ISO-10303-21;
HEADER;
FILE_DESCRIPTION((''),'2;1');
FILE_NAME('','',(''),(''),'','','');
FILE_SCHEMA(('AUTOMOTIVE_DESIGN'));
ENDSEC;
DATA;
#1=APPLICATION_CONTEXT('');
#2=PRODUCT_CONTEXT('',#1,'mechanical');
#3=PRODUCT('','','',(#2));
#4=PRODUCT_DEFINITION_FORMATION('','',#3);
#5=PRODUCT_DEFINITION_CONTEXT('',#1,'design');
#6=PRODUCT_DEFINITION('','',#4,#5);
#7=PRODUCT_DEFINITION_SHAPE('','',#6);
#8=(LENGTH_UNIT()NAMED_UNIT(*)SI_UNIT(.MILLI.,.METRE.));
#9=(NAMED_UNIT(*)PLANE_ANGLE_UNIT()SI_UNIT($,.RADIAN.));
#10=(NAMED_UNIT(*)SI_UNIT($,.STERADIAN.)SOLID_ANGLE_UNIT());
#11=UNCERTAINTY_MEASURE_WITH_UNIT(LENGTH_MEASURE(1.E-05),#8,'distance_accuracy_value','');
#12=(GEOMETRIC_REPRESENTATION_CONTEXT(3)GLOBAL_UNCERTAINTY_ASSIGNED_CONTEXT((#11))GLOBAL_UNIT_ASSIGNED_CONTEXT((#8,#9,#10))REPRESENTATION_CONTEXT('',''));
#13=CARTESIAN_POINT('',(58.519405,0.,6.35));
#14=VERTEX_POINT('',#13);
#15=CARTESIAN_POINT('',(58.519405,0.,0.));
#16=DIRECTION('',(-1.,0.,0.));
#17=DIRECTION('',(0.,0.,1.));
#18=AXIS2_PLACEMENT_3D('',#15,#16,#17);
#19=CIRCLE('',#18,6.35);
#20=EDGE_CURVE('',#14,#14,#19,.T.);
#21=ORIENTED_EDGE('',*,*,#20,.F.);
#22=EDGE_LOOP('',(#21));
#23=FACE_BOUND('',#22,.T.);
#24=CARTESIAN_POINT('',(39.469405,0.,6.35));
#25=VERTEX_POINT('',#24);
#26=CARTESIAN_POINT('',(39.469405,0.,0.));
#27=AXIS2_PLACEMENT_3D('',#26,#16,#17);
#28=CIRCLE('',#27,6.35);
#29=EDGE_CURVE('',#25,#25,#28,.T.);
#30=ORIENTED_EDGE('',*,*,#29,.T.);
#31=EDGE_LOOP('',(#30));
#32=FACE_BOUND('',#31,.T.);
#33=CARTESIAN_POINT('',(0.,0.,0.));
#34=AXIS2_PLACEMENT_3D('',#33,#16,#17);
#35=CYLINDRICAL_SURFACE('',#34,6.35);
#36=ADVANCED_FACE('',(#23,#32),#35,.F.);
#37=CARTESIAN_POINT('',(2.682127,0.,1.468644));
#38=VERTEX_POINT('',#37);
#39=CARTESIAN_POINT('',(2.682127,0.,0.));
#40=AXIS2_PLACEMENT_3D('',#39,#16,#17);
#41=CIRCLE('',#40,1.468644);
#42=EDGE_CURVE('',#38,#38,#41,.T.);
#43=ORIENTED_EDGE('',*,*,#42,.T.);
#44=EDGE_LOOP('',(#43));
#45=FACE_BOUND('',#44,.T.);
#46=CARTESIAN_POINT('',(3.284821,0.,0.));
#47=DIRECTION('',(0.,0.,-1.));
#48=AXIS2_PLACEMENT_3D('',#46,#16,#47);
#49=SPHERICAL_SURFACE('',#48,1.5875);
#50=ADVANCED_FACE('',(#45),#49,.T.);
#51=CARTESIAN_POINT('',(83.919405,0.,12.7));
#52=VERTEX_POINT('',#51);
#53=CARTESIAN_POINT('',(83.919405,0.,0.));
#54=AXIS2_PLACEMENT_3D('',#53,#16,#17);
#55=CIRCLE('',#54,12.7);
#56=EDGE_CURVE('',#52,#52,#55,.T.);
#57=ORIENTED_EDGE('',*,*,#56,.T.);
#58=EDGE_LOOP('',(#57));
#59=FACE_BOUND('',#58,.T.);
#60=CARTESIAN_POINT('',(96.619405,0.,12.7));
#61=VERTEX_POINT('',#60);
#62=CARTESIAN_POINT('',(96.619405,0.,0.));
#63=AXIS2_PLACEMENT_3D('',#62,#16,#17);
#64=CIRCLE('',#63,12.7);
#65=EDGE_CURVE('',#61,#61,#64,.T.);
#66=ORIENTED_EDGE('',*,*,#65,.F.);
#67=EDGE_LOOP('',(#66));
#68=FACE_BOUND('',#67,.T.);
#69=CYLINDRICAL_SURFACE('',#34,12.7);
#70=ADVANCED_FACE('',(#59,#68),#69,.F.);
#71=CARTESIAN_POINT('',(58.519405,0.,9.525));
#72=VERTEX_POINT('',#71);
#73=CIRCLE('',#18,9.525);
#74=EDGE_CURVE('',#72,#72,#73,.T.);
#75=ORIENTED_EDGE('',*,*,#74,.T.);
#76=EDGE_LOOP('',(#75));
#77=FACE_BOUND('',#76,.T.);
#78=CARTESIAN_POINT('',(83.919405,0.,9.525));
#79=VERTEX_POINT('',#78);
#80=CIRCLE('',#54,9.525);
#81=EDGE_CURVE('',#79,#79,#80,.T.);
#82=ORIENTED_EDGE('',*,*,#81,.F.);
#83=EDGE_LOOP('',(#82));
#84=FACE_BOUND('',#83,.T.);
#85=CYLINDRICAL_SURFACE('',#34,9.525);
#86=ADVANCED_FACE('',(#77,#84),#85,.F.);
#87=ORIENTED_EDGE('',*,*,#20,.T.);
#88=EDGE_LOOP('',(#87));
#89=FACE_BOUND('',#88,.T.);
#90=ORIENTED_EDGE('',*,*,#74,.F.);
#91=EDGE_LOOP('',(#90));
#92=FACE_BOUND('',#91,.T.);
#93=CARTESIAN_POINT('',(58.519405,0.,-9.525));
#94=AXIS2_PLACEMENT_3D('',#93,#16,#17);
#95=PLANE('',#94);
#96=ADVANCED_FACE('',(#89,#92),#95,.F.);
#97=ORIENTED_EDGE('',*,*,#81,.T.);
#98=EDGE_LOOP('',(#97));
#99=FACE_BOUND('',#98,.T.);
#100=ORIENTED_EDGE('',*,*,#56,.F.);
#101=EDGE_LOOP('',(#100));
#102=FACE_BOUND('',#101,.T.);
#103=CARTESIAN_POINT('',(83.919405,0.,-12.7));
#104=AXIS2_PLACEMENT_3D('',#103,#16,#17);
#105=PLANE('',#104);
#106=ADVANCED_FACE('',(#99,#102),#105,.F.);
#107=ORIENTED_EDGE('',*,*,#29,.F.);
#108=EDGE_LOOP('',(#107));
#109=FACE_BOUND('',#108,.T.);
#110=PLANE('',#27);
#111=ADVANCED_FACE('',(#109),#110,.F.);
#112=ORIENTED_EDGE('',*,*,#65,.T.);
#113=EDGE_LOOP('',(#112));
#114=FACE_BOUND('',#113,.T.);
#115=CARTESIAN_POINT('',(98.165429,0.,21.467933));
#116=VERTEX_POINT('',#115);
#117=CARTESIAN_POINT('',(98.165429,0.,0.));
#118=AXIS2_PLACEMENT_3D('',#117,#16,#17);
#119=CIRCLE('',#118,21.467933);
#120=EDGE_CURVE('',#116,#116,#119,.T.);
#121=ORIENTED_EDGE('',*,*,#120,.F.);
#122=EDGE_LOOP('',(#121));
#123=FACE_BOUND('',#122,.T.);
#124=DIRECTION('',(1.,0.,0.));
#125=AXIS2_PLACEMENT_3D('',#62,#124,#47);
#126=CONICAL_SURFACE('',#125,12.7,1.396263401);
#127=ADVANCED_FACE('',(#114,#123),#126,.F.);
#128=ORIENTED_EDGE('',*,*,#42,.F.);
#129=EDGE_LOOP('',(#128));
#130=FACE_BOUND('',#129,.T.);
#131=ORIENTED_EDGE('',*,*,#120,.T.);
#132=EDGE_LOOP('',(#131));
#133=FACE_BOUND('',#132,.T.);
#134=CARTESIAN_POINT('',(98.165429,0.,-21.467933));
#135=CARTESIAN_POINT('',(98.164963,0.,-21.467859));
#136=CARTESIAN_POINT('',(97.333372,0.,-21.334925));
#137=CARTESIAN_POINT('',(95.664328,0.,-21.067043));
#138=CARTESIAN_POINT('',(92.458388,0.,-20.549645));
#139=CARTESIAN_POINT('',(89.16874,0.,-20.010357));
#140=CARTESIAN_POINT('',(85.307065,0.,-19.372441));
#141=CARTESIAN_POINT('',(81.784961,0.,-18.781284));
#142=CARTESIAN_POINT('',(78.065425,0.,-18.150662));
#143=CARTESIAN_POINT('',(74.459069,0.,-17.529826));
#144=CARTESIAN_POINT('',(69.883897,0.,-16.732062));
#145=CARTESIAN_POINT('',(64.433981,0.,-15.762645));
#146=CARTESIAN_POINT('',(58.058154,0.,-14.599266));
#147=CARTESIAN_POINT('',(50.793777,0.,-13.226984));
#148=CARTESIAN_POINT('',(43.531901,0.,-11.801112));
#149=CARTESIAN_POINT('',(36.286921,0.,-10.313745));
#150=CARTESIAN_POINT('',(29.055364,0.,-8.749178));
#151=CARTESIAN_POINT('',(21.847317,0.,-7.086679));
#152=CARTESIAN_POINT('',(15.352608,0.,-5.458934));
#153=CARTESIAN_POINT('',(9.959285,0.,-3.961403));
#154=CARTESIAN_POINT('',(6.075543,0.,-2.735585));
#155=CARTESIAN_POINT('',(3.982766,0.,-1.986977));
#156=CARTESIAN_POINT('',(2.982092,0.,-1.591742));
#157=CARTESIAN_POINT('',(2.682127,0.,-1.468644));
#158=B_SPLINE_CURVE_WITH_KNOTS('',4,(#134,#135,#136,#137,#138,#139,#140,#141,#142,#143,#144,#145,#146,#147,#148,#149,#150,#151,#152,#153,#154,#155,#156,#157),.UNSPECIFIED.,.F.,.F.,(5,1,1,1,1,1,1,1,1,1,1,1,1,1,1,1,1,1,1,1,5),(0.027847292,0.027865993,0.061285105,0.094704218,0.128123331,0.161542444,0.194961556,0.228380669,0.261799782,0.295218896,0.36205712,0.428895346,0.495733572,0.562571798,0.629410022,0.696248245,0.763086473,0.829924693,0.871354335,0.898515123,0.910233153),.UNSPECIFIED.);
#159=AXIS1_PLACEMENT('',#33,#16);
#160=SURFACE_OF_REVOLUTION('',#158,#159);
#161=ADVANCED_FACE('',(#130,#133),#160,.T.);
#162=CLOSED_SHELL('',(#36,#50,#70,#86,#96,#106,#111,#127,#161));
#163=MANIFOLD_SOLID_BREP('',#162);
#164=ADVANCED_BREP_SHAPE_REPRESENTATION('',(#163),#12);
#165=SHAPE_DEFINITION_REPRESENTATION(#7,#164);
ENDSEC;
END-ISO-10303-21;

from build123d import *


with BuildPart() as part:
    # Sketch1 → Revolve2 (revolve)
    with BuildSketch(Plane(origin=(0, 0, 0), x_dir=(1, 0, 0), z_dir=(0, 1, 0)), mode=Mode.PRIVATE) as revolve2_sk:
        with BuildLine():
            Line((1.697321091, 0), (39.469405392, 0))
            Line((39.469405392, 0), (39.469405392, 6.35))
            Line((39.469405392, 6.35), (58.519405392, 6.35))
            Line((58.519405392, 6.35), (58.519405392, 9.525))
            Line((58.519405392, 9.525), (83.919405392, 9.525))
            Line((83.919405392, 9.525), (83.919405392, 12.7))
            Line((83.919405392, 12.7), (96.619405392, 12.7))
            Line((96.619405392, 12.7), (98.165428581, 21.4679332))
            add(Edge.make_bspline(
                [(2.682127148, 1.468644362), (2.982092127, 1.591742283), (3.982765764, 1.986976913), (6.075542743, 2.735585346), (9.959285205, 3.961402854), (15.35260807, 5.458934046), (21.847317263, 7.086678944), (29.055363889, 8.749177841), (36.286920774, 10.313744718), (43.531901048, 11.801111844), (50.793776988, 13.226984496), (58.058153921, 14.599266319), (64.433980883, 15.762645369), (69.883896781, 16.732062359), (74.459068804, 17.529825957), (78.065425347, 18.150661812), (81.784961377, 18.781283529), (85.307065103, 19.372441088), (89.168740248, 20.010357493), (92.45838759, 20.54964543), (95.664328261, 21.067043036), (97.333372349, 21.334925019), (98.164963492, 21.467858845), (98.165428581, 21.4679332)],
                knots=[0.027847292, 0.027847292, 0.027847292, 0.027847292, 0.027847292, 0.039565322, 0.06672611, 0.108155752, 0.174993972, 0.2418322, 0.308670423, 0.375508647, 0.442346873, 0.509185099, 0.576023325, 0.642861549, 0.676280662, 0.709699776, 0.743118888, 0.776538001, 0.809957114, 0.843376227, 0.87679534, 0.910214452, 0.910233153, 0.910233153, 0.910233153, 0.910233153, 0.910233153], degree=4))
            ThreePointArc((2.682127148, 1.468644362), (1.966311917, 0.884132234), (1.697321091, 0))
        make_face()
    revolve(revolve2_sk.sketch.rotate(Axis((0, 0, 0), (1, 0, 0)), 180), axis=Axis((0, 0, 0), (1, 0, 0)))


solid = part.part
